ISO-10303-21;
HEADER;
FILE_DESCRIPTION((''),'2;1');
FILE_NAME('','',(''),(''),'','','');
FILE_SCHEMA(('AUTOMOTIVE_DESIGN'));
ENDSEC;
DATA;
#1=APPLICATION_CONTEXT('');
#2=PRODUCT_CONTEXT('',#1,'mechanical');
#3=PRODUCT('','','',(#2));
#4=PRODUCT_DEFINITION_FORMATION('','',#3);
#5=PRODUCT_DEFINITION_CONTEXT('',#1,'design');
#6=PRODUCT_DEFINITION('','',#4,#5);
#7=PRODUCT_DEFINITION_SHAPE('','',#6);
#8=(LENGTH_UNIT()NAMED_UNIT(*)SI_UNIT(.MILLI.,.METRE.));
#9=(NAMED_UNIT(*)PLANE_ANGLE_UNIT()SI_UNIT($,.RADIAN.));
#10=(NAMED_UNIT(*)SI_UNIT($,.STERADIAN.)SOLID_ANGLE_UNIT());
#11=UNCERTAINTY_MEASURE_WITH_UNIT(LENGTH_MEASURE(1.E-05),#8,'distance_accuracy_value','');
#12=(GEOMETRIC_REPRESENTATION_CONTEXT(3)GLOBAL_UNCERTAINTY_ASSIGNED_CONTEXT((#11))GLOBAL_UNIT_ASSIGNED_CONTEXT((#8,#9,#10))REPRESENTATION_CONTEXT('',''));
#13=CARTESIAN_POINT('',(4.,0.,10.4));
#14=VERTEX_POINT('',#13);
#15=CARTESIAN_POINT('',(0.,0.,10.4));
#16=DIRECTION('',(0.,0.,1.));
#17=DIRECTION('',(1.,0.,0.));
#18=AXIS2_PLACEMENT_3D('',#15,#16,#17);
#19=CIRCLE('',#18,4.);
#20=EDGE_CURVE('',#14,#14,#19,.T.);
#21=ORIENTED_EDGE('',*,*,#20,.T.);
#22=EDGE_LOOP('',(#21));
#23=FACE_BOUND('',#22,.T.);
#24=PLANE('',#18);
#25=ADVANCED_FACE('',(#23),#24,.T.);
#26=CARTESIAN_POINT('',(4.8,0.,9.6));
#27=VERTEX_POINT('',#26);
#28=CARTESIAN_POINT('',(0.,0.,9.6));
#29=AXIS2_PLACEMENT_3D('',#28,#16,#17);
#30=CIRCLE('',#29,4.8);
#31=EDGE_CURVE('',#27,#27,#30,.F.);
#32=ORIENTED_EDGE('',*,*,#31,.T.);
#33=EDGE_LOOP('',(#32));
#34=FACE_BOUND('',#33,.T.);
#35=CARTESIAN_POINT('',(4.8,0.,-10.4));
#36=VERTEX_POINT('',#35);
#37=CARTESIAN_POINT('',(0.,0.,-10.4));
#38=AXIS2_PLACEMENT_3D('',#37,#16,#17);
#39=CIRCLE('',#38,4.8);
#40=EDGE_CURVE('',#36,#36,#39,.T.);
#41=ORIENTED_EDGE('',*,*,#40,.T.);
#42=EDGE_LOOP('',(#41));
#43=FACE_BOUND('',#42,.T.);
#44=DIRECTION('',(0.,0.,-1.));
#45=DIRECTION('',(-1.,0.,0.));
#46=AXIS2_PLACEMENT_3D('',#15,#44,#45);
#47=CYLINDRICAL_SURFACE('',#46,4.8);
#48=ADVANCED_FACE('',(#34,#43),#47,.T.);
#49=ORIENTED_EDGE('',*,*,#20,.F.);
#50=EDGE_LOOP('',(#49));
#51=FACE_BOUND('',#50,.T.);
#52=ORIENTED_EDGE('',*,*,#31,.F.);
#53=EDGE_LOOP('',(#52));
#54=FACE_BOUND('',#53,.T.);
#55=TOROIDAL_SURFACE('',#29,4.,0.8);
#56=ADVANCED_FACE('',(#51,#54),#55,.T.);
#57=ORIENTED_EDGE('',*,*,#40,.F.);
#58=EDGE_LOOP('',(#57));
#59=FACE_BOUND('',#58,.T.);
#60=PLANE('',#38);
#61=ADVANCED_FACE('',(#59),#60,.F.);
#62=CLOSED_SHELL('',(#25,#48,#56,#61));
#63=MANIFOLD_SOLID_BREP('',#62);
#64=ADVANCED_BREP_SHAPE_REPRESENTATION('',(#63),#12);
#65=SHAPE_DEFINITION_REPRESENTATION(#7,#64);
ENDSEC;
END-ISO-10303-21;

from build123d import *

# Parameters (mm, degrees)
SKETCH1_R           = 4.8
BOSS_EXTRUDE1_DEPTH = 10.4
FILLET1_R           = 0.8


with BuildPart() as part:
    # Sketch1 → Boss-Extrude1 (new body, symmetric)
    with BuildSketch(Plane.XY):
        Circle(SKETCH1_R)
    extrude(amount=BOSS_EXTRUDE1_DEPTH, both=True)

    # Fillet1
    fillet1_edges = [part.edges().sort_by_distance(p)[0] for p in [
        (-4.8, 0, 10.4),
    ]]
    fillet(fillet1_edges, radius=FILLET1_R)


solid = part.part
